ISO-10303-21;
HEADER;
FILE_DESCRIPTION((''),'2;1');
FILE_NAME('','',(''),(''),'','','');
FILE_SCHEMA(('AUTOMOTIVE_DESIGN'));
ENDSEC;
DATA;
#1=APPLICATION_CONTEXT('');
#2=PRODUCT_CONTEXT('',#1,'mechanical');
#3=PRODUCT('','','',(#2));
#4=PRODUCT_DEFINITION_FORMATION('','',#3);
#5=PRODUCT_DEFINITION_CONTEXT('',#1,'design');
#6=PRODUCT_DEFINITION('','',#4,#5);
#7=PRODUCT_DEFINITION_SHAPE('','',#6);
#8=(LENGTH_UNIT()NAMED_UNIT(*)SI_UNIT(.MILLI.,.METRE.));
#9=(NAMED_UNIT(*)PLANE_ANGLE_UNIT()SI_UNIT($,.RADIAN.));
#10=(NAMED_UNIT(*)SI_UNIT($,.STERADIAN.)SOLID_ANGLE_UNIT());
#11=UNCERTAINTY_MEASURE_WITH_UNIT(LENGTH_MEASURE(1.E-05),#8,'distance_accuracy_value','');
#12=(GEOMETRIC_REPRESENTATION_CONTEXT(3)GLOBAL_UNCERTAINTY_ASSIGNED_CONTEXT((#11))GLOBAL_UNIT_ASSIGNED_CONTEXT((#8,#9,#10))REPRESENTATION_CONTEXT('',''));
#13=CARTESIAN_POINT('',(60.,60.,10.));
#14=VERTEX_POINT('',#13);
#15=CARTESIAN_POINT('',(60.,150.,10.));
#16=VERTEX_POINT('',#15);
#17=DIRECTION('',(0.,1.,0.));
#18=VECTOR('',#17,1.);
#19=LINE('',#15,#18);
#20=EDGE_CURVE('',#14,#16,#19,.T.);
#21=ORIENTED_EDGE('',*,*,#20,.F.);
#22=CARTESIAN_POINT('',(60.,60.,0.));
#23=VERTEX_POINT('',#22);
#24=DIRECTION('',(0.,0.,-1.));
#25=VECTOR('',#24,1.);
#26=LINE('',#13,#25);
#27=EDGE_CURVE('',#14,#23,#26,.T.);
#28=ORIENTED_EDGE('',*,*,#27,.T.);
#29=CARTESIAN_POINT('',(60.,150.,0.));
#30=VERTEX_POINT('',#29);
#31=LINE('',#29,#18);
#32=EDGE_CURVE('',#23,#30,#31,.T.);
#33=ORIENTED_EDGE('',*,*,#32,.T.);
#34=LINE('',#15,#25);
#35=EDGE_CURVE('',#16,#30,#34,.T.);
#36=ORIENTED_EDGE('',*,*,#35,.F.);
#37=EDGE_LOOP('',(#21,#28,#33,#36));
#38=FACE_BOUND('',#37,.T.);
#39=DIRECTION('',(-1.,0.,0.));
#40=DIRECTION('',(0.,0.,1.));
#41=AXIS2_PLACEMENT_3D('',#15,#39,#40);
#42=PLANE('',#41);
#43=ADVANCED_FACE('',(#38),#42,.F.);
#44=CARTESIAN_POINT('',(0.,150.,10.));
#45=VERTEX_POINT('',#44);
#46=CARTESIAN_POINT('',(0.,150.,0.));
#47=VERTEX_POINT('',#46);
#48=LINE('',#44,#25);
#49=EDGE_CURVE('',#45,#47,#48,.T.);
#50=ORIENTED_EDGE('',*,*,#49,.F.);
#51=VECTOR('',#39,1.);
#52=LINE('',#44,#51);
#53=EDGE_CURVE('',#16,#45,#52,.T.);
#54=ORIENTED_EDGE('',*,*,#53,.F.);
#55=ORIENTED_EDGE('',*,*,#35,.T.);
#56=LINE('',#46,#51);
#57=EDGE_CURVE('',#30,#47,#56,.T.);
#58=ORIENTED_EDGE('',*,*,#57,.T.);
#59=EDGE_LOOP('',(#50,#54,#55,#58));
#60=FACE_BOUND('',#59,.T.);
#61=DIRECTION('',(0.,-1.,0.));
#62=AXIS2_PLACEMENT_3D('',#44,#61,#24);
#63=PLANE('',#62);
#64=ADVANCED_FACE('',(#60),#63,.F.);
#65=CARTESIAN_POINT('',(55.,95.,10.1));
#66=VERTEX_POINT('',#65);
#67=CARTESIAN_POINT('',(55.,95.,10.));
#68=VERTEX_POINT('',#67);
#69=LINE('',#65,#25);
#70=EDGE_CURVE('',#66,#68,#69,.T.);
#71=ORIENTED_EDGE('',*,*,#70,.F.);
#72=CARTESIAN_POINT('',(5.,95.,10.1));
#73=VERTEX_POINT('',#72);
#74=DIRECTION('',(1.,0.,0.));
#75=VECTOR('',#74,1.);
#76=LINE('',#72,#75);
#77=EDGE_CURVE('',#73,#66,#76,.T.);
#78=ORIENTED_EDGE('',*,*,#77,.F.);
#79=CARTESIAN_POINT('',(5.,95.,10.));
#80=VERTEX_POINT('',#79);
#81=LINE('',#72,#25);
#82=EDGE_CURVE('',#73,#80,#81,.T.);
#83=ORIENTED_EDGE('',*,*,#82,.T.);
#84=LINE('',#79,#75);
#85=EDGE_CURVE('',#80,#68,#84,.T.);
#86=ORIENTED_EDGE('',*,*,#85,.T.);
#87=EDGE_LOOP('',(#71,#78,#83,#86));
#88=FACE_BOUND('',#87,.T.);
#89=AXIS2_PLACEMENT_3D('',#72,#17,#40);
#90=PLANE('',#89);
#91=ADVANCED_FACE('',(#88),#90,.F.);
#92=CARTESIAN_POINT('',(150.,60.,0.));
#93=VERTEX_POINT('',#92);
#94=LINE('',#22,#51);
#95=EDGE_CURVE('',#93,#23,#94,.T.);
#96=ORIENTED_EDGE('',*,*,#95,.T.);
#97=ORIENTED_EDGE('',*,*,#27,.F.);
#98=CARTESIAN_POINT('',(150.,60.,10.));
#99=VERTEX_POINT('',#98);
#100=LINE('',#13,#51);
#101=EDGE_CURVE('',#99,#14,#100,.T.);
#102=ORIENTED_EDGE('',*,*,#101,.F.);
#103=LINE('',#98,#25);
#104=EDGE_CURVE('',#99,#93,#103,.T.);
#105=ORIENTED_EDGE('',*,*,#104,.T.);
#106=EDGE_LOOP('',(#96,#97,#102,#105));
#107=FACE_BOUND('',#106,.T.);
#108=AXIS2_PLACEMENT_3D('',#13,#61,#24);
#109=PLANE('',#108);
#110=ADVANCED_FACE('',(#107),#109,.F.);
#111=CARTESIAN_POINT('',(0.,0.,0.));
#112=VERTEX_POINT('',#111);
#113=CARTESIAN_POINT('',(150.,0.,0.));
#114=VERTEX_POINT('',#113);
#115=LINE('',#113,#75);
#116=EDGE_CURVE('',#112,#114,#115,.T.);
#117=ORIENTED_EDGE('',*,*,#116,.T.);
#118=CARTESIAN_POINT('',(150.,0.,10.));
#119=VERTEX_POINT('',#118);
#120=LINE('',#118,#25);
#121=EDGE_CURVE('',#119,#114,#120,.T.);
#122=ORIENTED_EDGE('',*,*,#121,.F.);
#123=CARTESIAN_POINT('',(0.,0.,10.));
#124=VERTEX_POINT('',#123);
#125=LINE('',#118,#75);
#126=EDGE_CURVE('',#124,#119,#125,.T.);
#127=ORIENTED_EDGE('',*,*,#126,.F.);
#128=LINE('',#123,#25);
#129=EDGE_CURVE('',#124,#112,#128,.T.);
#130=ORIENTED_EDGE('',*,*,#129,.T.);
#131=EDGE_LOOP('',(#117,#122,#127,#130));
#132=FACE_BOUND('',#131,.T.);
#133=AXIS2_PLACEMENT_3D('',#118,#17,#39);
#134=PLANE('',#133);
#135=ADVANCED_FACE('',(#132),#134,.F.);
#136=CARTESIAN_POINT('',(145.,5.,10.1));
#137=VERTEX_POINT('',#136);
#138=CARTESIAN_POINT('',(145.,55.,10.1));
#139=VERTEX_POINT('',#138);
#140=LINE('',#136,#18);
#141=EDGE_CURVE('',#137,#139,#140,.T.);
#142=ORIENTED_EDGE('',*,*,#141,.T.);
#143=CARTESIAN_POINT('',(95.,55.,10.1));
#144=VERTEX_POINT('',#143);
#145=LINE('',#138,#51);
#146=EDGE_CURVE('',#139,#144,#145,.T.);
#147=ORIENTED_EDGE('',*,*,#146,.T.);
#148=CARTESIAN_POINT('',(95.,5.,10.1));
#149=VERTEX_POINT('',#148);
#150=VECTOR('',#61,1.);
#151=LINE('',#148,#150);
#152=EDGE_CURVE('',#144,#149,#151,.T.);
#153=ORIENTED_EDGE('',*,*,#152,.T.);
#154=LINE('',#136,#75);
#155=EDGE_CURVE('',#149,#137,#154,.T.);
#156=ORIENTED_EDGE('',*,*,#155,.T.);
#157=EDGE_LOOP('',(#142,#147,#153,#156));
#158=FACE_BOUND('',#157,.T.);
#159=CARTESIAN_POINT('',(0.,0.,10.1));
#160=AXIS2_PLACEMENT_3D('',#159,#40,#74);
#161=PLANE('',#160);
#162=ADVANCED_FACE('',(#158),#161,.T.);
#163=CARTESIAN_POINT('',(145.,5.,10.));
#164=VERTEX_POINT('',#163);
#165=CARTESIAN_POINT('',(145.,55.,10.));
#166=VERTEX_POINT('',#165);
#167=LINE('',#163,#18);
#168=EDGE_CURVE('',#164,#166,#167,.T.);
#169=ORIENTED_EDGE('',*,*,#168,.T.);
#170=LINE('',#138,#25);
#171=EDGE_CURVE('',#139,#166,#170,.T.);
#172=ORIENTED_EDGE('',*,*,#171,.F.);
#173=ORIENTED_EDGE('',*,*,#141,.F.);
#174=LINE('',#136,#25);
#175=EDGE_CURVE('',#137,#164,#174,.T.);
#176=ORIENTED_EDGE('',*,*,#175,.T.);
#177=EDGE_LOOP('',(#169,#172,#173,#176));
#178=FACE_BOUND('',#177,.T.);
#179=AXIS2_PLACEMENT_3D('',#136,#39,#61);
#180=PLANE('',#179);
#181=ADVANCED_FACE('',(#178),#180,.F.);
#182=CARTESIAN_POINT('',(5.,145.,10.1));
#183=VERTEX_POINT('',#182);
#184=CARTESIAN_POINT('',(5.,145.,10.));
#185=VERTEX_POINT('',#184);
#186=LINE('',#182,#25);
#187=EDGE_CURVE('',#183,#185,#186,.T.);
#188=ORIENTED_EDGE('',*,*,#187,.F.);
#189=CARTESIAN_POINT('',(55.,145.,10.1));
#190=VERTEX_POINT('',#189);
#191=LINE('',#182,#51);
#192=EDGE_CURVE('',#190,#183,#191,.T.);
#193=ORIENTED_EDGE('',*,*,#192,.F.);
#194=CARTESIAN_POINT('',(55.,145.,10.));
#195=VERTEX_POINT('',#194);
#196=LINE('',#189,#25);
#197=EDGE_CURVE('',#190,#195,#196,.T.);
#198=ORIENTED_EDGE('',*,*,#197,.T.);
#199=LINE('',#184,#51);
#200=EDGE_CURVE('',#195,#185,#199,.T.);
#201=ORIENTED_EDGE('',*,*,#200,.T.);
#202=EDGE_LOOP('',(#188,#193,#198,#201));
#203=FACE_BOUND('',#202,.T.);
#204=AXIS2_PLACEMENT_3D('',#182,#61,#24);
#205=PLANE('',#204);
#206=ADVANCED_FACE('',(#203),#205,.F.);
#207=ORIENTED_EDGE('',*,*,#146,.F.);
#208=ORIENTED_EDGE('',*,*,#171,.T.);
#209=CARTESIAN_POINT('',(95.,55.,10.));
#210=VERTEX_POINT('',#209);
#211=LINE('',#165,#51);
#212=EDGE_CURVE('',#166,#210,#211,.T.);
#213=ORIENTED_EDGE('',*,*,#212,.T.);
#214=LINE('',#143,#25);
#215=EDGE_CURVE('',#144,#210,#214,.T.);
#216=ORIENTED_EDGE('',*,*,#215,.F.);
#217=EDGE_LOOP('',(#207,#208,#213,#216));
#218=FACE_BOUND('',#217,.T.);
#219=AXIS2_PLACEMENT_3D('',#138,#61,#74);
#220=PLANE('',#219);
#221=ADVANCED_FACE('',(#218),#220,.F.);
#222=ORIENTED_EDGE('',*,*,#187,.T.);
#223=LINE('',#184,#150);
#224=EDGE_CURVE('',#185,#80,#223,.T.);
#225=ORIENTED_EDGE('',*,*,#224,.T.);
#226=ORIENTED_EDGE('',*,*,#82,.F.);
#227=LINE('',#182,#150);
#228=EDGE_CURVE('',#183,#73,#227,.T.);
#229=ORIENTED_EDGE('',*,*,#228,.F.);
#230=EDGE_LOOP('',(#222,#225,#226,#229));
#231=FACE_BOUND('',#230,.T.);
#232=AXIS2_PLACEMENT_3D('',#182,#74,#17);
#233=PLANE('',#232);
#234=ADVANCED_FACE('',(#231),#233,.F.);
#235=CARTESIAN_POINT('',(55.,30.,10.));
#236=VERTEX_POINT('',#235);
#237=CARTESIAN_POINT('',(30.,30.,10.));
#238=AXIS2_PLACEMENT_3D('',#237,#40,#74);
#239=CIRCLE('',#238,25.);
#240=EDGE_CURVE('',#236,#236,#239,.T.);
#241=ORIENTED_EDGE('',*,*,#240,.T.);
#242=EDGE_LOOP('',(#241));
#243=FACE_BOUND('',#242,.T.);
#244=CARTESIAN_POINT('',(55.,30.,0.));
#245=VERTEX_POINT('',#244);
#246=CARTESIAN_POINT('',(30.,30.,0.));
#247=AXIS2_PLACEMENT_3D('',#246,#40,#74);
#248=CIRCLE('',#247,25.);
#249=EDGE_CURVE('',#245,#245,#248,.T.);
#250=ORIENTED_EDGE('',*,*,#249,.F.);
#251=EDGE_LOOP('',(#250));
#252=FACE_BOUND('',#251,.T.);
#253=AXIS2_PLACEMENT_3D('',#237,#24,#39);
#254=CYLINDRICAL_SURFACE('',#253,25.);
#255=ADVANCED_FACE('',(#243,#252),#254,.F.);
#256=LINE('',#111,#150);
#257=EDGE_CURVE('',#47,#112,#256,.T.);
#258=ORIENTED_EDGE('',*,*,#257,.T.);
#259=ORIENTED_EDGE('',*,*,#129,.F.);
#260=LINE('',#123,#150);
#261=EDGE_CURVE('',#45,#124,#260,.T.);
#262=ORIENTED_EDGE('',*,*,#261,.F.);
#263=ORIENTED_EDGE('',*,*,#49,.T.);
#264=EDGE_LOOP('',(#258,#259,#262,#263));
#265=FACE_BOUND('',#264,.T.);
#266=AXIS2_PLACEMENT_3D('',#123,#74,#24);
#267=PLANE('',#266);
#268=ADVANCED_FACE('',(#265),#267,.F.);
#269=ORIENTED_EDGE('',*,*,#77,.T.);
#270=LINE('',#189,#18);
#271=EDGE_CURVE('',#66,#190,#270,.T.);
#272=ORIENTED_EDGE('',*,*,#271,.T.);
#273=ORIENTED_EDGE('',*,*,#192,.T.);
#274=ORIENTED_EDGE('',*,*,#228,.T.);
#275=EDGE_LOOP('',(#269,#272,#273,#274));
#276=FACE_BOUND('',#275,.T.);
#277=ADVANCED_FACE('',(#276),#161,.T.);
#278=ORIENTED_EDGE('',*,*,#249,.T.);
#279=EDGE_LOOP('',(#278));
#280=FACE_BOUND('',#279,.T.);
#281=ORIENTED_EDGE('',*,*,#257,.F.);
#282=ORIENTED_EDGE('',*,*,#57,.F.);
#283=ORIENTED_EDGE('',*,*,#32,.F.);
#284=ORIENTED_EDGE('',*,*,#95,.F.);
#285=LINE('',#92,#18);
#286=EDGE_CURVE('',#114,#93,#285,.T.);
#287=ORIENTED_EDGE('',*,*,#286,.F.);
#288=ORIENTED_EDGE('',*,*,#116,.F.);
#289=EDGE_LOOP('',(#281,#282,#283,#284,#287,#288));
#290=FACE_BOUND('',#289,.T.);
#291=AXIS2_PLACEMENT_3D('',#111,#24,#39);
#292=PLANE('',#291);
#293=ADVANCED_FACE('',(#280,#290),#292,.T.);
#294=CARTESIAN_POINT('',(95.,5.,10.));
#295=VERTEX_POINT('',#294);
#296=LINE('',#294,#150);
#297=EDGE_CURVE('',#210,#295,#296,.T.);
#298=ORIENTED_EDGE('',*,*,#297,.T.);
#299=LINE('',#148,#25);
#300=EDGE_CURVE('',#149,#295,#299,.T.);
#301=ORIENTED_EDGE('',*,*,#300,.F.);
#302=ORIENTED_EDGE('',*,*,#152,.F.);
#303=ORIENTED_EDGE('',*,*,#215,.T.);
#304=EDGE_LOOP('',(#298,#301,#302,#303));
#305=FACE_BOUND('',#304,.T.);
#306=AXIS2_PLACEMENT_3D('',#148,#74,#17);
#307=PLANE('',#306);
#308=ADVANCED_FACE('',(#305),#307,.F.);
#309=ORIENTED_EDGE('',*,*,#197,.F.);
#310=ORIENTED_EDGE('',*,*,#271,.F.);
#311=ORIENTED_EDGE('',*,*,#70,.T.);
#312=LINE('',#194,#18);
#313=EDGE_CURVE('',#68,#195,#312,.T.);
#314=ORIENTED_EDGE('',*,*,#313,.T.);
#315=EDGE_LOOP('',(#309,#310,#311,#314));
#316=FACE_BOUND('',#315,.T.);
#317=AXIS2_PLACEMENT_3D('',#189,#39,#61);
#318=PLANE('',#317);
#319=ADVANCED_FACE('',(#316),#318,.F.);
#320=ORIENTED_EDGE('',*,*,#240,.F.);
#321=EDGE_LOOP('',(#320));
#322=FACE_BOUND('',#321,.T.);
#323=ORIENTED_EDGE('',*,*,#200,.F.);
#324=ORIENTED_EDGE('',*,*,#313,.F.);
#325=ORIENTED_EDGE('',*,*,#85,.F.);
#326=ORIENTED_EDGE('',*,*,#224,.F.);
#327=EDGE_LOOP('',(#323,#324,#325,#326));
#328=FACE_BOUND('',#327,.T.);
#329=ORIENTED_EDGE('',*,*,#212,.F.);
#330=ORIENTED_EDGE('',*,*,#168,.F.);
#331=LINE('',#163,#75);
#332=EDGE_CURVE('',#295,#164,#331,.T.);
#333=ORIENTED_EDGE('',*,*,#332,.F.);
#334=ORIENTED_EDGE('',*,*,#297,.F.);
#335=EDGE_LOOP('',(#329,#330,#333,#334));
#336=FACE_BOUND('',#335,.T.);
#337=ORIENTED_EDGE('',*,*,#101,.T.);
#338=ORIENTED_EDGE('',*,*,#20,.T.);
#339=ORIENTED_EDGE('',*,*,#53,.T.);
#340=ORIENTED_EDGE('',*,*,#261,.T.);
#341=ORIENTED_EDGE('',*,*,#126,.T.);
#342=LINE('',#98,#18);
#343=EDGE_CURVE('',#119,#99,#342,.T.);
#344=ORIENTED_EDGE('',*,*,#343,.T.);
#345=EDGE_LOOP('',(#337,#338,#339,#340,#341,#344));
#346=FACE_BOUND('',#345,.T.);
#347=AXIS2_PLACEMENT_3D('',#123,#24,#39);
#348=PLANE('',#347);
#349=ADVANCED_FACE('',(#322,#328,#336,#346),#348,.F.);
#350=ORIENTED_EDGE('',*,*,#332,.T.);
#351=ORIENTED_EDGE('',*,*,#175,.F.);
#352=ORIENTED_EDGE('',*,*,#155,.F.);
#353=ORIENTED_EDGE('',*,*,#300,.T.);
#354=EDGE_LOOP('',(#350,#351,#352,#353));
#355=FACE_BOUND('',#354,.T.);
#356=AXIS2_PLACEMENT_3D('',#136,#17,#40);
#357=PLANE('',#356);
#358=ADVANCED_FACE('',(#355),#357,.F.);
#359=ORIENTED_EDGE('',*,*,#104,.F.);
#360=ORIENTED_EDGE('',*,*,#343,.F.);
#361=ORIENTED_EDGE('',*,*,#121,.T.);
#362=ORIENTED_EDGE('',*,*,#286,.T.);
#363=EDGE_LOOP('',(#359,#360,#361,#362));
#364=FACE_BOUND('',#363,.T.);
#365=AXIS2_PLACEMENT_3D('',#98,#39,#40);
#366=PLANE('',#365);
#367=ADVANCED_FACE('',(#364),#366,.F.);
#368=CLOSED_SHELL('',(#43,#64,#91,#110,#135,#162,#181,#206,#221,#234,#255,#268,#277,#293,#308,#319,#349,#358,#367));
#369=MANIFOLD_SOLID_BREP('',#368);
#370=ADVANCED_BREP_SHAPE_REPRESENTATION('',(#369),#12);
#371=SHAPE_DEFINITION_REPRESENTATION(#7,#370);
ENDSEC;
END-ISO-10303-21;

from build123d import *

# Parameters (mm, degrees)
SKETCH1_R           = 25
BOSS_EXTRUDE1_DEPTH = 10
SKETCH2_W           = 50
SKETCH2_H           = 50
BOSS_EXTRUDE2_DEPTH = 0.1


with BuildPart() as part:
    # Sketch1 → Boss-Extrude1 (new body)
    with BuildSketch(Plane.XY):
        Polygon((0, 0), (0, 150), (60, 150), (60, 60), (150, 60), (150, 0), align=None)
        with Locations((30, 30)):
            Circle(SKETCH1_R, mode=Mode.SUBTRACT)
    extrude(amount=BOSS_EXTRUDE1_DEPTH)

    # Sketch2 → Boss-Extrude2 (add)
    with BuildSketch(Plane.XY.offset(10)):
        with Locations((30, 120)):
            Rectangle(SKETCH2_W, SKETCH2_H)
        with Locations((120, 30)):
            Rectangle(SKETCH2_W, SKETCH2_H)
    extrude(amount=BOSS_EXTRUDE2_DEPTH)


solid = part.part
